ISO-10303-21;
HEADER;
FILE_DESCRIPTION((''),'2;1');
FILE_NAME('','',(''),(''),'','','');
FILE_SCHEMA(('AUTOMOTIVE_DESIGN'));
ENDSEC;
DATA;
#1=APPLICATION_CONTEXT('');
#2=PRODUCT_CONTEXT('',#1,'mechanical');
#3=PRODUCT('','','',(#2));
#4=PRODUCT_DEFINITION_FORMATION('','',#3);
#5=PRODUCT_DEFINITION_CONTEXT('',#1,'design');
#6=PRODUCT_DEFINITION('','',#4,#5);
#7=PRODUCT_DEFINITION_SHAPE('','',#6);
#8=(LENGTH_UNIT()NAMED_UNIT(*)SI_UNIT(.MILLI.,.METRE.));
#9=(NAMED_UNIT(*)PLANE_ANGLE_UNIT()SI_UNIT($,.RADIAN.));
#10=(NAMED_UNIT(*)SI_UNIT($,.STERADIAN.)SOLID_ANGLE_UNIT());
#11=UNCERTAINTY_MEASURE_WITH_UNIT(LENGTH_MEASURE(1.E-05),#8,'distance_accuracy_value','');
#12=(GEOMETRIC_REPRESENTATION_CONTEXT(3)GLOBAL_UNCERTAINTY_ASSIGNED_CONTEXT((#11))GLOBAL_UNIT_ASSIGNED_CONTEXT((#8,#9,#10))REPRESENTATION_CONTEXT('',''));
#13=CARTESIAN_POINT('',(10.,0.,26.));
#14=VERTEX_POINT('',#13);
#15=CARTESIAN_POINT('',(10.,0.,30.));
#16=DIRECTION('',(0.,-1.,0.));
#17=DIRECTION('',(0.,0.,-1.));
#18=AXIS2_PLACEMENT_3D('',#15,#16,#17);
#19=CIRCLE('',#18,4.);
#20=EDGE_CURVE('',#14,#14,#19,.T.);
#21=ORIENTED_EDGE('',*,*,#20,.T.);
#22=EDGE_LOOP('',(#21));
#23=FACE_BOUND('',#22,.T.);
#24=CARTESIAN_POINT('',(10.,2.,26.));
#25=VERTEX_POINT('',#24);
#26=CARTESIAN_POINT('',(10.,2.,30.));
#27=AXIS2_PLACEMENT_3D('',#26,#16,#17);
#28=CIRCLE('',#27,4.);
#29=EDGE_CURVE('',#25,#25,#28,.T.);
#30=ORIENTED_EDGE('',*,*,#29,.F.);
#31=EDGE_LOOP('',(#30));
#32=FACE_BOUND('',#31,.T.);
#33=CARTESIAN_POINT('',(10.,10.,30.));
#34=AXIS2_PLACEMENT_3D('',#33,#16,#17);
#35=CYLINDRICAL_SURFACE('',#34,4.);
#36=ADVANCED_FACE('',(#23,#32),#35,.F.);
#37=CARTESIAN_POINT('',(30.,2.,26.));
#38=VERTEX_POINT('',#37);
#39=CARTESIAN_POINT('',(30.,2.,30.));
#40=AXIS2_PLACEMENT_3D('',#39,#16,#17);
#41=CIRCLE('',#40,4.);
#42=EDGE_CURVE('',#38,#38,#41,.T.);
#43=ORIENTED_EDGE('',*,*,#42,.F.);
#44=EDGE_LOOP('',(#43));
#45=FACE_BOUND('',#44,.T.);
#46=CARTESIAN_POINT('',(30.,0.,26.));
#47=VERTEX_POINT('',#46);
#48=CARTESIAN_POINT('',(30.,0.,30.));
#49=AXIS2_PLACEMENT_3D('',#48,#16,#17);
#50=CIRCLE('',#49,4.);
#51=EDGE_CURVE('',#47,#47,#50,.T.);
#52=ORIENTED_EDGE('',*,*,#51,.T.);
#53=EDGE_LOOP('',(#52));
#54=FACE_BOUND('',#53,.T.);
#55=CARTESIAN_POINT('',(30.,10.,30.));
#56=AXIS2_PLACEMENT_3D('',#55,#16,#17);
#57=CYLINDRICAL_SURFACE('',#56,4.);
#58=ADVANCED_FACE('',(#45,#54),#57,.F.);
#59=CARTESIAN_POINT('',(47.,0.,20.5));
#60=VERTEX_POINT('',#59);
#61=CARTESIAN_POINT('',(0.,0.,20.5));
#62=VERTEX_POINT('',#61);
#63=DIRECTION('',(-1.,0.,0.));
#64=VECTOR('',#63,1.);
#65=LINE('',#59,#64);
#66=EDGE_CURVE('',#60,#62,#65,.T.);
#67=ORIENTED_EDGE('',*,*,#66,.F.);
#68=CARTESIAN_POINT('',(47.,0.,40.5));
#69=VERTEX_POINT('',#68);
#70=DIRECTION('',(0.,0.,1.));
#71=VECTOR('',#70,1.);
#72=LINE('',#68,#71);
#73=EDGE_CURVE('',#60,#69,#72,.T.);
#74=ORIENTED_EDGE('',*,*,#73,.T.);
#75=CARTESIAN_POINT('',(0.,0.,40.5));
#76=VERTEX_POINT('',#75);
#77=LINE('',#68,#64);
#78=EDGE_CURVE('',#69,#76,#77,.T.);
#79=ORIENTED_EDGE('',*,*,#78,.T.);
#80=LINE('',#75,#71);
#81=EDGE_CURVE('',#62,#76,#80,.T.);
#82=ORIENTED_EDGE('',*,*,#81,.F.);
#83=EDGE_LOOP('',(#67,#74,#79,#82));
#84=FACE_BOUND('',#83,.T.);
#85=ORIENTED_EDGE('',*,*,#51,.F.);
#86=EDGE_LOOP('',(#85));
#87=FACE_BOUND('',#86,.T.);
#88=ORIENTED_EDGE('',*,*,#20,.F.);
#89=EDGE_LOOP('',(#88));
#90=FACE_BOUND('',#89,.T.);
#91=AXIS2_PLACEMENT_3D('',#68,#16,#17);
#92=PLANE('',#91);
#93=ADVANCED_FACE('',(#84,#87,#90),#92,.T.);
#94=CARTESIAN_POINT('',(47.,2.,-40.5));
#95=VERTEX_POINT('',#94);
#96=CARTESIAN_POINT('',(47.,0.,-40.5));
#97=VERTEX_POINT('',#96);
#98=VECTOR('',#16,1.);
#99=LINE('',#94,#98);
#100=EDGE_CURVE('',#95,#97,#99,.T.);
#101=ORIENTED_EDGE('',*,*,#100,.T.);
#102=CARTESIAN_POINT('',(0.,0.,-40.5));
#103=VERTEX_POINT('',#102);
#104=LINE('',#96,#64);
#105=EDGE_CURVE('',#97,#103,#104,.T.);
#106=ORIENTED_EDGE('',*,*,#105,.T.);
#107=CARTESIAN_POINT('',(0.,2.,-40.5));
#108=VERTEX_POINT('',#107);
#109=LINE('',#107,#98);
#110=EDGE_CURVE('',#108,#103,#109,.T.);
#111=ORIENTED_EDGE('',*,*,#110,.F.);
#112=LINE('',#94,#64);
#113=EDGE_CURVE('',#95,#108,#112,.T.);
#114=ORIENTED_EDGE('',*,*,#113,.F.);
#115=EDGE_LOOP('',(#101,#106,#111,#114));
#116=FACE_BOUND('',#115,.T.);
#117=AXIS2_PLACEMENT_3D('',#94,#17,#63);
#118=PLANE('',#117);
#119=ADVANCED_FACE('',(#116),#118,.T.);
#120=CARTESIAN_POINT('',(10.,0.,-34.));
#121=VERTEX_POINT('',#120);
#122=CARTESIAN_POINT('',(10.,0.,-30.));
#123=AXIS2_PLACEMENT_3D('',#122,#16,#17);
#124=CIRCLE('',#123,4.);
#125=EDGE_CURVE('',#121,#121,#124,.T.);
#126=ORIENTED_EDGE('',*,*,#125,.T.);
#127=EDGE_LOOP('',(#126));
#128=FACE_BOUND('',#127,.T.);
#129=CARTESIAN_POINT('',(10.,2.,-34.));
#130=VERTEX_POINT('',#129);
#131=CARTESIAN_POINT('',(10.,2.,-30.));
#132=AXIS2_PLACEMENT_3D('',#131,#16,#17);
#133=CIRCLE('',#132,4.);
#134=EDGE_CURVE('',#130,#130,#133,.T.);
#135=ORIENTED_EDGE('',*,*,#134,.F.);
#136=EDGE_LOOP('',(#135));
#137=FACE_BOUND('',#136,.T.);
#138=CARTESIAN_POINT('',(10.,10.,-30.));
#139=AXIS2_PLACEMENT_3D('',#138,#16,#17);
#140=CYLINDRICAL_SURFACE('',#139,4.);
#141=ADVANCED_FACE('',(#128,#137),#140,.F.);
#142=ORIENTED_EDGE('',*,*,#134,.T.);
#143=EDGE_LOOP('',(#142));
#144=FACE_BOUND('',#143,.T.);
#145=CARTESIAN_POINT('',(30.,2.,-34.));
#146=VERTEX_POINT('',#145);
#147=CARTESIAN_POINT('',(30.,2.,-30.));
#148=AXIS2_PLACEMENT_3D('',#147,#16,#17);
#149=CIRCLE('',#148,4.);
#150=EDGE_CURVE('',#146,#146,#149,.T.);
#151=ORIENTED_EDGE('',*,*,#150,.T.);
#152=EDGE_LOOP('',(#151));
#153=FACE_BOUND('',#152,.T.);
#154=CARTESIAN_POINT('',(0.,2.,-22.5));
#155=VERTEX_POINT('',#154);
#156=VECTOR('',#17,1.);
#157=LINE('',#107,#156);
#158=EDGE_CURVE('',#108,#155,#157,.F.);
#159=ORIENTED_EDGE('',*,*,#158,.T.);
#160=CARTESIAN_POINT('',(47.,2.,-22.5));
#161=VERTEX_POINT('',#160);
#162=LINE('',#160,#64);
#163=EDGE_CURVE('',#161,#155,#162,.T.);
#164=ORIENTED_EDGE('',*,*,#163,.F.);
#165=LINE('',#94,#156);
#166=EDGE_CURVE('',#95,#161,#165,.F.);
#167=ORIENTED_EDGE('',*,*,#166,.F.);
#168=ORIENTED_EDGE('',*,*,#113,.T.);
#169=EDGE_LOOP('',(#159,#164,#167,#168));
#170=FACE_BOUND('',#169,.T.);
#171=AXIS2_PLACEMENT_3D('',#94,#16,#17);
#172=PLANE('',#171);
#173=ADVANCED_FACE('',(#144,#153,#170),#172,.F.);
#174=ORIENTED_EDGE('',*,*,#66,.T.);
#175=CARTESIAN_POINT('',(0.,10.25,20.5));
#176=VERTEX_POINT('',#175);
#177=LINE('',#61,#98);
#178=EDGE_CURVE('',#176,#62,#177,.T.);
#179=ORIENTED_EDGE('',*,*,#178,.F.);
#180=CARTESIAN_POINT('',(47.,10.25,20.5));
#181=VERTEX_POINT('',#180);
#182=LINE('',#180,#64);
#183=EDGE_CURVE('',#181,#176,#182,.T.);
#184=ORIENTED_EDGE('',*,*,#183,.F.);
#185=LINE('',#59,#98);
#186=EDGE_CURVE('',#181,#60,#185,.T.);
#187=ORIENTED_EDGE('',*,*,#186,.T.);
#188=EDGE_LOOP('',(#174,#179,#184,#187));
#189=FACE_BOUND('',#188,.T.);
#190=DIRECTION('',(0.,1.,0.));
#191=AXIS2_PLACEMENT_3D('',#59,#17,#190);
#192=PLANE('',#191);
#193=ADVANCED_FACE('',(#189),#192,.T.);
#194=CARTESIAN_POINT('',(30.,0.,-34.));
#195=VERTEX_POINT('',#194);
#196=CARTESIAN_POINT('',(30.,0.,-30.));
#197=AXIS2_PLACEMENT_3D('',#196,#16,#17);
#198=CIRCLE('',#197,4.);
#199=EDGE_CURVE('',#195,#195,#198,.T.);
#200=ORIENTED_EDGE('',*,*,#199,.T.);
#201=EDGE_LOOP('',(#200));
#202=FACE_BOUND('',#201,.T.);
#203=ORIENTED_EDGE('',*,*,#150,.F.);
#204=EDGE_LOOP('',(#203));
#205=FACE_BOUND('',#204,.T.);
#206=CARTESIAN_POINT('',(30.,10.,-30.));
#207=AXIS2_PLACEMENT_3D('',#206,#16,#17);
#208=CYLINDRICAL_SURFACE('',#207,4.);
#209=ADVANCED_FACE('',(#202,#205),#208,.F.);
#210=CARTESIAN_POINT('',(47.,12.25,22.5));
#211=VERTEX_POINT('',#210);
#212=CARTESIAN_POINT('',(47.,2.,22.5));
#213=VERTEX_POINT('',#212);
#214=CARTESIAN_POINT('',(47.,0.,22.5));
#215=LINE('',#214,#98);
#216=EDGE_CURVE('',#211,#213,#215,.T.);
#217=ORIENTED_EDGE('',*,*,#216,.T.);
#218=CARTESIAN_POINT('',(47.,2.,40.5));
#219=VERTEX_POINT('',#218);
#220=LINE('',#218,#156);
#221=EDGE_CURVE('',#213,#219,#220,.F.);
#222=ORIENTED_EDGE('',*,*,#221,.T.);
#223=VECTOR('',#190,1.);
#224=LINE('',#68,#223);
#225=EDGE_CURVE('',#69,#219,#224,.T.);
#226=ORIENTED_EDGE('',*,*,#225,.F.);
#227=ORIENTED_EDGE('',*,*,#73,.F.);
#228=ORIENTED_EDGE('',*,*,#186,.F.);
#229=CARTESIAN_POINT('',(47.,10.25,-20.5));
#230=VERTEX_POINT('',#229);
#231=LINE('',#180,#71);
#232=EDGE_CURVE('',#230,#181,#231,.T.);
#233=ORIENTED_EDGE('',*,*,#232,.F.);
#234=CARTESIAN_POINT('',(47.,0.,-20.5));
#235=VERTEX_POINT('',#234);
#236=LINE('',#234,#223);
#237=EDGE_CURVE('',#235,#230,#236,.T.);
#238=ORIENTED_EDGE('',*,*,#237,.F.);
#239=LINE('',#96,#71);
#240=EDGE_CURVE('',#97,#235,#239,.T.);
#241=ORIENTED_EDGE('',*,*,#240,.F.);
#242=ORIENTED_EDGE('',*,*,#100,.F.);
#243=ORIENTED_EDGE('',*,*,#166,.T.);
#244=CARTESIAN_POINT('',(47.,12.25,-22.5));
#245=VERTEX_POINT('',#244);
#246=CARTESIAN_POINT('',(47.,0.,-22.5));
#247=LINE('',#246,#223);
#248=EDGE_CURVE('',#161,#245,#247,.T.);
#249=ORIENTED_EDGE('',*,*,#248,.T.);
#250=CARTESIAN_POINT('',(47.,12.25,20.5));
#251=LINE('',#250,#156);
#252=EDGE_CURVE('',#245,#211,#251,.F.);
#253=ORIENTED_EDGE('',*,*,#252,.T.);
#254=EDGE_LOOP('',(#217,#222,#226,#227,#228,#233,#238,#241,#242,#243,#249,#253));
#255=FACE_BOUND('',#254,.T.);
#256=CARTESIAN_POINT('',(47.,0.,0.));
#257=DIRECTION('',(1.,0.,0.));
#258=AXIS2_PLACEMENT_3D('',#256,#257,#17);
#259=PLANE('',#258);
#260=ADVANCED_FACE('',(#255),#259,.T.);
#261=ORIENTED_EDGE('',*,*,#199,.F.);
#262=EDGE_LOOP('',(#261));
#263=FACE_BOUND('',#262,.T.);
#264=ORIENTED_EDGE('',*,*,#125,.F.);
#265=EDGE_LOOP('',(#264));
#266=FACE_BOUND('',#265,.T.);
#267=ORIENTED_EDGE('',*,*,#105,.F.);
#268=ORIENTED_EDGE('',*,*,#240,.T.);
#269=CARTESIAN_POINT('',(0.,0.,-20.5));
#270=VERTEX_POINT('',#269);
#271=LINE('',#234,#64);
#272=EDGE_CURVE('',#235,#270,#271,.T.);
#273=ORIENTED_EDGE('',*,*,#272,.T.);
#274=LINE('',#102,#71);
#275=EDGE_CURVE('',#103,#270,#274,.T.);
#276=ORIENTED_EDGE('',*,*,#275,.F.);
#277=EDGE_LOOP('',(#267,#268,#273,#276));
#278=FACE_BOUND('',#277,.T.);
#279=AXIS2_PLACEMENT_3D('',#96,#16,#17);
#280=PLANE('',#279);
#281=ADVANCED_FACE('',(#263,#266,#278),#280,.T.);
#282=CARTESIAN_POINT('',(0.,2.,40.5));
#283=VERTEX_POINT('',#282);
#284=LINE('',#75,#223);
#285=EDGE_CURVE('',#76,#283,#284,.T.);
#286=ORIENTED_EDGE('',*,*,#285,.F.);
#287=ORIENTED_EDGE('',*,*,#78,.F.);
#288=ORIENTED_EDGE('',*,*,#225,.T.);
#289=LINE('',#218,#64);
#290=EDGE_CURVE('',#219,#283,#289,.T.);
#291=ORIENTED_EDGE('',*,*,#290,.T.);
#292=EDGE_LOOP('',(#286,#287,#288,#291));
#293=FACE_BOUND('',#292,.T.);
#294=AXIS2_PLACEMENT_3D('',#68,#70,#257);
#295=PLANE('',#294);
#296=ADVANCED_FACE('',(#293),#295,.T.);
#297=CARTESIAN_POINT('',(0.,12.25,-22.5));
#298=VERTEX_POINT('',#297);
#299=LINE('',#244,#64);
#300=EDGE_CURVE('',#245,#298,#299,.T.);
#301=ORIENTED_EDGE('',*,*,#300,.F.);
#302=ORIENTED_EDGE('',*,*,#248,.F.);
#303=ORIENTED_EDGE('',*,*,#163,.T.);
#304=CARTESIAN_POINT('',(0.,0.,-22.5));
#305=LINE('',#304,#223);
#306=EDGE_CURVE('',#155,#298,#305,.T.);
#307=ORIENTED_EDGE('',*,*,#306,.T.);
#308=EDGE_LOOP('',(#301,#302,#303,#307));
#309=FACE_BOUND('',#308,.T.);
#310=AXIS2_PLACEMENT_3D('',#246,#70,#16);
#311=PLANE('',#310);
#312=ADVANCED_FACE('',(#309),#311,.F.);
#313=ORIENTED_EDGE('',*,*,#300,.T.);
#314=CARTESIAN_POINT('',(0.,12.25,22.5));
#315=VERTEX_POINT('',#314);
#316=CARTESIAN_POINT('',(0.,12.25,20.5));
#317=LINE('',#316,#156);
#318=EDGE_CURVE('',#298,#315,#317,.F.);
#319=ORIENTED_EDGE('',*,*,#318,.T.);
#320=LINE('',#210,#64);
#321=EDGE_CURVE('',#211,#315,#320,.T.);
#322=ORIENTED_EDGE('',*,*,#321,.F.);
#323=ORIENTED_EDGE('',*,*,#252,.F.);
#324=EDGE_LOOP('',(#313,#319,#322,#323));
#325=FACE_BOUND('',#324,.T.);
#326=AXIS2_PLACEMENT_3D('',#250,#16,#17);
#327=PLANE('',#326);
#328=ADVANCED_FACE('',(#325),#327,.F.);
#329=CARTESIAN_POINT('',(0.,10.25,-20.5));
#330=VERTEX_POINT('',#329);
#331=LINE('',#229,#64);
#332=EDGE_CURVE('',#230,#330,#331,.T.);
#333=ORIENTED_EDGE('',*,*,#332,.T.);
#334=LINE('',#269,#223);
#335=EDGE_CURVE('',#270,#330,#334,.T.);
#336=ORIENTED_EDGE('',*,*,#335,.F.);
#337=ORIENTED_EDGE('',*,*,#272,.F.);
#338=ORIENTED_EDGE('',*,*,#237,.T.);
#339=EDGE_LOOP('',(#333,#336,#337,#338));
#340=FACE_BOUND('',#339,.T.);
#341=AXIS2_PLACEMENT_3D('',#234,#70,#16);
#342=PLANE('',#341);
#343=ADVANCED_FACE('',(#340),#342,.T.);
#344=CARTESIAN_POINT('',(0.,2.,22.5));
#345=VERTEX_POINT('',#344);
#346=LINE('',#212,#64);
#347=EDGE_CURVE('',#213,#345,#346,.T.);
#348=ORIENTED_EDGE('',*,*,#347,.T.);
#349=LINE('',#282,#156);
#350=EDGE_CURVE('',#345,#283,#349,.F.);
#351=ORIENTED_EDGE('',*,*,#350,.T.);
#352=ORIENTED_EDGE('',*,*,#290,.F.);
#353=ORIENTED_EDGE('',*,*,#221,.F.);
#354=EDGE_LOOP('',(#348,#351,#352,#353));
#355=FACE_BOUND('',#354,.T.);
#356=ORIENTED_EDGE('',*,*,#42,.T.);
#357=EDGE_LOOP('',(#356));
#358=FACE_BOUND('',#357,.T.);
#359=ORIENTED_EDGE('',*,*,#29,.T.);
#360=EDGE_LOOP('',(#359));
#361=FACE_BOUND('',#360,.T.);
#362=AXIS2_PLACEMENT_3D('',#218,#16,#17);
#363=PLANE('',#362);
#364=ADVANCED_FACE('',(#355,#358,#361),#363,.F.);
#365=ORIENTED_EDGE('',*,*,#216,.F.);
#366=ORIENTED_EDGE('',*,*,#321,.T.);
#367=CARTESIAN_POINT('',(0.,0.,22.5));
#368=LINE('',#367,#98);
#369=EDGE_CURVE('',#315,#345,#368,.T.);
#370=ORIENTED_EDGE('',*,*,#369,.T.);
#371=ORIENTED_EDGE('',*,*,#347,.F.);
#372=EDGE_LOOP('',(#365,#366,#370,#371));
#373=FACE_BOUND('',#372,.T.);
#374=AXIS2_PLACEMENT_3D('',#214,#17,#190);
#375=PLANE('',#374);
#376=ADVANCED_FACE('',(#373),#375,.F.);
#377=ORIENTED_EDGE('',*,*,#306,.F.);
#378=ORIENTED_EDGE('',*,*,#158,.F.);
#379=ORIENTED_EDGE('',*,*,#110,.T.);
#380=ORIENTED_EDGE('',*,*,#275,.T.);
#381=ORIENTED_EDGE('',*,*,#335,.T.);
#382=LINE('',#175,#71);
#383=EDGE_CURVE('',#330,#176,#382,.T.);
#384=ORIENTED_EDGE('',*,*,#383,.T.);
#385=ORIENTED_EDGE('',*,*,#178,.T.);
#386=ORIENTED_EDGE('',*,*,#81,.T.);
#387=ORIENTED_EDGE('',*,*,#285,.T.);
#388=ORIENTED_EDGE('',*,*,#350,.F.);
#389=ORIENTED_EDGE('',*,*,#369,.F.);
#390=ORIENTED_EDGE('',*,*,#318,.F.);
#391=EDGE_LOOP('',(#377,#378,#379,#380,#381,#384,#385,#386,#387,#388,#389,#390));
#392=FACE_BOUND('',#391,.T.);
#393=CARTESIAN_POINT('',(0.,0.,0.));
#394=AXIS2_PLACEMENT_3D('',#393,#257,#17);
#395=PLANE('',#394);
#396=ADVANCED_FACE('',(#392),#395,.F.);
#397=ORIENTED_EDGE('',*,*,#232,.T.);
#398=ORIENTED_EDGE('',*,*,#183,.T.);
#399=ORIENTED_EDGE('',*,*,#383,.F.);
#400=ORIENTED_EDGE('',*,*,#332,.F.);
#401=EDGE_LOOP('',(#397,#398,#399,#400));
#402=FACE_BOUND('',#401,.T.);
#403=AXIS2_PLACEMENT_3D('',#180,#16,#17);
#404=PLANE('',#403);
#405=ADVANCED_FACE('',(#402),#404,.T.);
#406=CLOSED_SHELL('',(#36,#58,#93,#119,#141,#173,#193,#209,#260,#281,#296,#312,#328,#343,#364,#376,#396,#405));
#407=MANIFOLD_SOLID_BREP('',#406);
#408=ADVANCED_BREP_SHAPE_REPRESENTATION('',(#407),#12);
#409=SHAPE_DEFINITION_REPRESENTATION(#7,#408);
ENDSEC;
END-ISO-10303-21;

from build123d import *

# Parameters (mm, degrees)
EXTRUDE_1_DEPTH     = 47
SKETCH_2_R          = 4
CUT_EXTRUDE_1_DEPTH = 10


with BuildPart() as part:
    # Эскиз1 → Вытянуть-Тонкостенный1 (new body)
    with BuildSketch(Plane(origin=(0, 0, 0), x_dir=(0, 0, -1), z_dir=(1, 0, 0))):
        Polygon((-40.5, 0), (-20.5, 0), (-20.5, 10.25), (20.5, 10.25), (20.5, 0), (40.5, 0), (40.5, 2), (22.5, 2), (22.5, 12.25), (-22.5, 12.25), (-22.5, 2), (-40.5, 2), align=None)
    extrude(amount=EXTRUDE_1_DEPTH)

    # Эскиз2 → Вырез-Вытянуть1 (cut)
    with BuildSketch(Plane.XZ):
        with Locations((10, 30)):
            Circle(SKETCH_2_R)
        with Locations((30, 30)):
            Circle(SKETCH_2_R)
        with Locations((30, -30)):
            Circle(SKETCH_2_R)
        with Locations((10, -30)):
            Circle(SKETCH_2_R)
    extrude(amount=-CUT_EXTRUDE_1_DEPTH, mode=Mode.SUBTRACT)


solid = part.part
